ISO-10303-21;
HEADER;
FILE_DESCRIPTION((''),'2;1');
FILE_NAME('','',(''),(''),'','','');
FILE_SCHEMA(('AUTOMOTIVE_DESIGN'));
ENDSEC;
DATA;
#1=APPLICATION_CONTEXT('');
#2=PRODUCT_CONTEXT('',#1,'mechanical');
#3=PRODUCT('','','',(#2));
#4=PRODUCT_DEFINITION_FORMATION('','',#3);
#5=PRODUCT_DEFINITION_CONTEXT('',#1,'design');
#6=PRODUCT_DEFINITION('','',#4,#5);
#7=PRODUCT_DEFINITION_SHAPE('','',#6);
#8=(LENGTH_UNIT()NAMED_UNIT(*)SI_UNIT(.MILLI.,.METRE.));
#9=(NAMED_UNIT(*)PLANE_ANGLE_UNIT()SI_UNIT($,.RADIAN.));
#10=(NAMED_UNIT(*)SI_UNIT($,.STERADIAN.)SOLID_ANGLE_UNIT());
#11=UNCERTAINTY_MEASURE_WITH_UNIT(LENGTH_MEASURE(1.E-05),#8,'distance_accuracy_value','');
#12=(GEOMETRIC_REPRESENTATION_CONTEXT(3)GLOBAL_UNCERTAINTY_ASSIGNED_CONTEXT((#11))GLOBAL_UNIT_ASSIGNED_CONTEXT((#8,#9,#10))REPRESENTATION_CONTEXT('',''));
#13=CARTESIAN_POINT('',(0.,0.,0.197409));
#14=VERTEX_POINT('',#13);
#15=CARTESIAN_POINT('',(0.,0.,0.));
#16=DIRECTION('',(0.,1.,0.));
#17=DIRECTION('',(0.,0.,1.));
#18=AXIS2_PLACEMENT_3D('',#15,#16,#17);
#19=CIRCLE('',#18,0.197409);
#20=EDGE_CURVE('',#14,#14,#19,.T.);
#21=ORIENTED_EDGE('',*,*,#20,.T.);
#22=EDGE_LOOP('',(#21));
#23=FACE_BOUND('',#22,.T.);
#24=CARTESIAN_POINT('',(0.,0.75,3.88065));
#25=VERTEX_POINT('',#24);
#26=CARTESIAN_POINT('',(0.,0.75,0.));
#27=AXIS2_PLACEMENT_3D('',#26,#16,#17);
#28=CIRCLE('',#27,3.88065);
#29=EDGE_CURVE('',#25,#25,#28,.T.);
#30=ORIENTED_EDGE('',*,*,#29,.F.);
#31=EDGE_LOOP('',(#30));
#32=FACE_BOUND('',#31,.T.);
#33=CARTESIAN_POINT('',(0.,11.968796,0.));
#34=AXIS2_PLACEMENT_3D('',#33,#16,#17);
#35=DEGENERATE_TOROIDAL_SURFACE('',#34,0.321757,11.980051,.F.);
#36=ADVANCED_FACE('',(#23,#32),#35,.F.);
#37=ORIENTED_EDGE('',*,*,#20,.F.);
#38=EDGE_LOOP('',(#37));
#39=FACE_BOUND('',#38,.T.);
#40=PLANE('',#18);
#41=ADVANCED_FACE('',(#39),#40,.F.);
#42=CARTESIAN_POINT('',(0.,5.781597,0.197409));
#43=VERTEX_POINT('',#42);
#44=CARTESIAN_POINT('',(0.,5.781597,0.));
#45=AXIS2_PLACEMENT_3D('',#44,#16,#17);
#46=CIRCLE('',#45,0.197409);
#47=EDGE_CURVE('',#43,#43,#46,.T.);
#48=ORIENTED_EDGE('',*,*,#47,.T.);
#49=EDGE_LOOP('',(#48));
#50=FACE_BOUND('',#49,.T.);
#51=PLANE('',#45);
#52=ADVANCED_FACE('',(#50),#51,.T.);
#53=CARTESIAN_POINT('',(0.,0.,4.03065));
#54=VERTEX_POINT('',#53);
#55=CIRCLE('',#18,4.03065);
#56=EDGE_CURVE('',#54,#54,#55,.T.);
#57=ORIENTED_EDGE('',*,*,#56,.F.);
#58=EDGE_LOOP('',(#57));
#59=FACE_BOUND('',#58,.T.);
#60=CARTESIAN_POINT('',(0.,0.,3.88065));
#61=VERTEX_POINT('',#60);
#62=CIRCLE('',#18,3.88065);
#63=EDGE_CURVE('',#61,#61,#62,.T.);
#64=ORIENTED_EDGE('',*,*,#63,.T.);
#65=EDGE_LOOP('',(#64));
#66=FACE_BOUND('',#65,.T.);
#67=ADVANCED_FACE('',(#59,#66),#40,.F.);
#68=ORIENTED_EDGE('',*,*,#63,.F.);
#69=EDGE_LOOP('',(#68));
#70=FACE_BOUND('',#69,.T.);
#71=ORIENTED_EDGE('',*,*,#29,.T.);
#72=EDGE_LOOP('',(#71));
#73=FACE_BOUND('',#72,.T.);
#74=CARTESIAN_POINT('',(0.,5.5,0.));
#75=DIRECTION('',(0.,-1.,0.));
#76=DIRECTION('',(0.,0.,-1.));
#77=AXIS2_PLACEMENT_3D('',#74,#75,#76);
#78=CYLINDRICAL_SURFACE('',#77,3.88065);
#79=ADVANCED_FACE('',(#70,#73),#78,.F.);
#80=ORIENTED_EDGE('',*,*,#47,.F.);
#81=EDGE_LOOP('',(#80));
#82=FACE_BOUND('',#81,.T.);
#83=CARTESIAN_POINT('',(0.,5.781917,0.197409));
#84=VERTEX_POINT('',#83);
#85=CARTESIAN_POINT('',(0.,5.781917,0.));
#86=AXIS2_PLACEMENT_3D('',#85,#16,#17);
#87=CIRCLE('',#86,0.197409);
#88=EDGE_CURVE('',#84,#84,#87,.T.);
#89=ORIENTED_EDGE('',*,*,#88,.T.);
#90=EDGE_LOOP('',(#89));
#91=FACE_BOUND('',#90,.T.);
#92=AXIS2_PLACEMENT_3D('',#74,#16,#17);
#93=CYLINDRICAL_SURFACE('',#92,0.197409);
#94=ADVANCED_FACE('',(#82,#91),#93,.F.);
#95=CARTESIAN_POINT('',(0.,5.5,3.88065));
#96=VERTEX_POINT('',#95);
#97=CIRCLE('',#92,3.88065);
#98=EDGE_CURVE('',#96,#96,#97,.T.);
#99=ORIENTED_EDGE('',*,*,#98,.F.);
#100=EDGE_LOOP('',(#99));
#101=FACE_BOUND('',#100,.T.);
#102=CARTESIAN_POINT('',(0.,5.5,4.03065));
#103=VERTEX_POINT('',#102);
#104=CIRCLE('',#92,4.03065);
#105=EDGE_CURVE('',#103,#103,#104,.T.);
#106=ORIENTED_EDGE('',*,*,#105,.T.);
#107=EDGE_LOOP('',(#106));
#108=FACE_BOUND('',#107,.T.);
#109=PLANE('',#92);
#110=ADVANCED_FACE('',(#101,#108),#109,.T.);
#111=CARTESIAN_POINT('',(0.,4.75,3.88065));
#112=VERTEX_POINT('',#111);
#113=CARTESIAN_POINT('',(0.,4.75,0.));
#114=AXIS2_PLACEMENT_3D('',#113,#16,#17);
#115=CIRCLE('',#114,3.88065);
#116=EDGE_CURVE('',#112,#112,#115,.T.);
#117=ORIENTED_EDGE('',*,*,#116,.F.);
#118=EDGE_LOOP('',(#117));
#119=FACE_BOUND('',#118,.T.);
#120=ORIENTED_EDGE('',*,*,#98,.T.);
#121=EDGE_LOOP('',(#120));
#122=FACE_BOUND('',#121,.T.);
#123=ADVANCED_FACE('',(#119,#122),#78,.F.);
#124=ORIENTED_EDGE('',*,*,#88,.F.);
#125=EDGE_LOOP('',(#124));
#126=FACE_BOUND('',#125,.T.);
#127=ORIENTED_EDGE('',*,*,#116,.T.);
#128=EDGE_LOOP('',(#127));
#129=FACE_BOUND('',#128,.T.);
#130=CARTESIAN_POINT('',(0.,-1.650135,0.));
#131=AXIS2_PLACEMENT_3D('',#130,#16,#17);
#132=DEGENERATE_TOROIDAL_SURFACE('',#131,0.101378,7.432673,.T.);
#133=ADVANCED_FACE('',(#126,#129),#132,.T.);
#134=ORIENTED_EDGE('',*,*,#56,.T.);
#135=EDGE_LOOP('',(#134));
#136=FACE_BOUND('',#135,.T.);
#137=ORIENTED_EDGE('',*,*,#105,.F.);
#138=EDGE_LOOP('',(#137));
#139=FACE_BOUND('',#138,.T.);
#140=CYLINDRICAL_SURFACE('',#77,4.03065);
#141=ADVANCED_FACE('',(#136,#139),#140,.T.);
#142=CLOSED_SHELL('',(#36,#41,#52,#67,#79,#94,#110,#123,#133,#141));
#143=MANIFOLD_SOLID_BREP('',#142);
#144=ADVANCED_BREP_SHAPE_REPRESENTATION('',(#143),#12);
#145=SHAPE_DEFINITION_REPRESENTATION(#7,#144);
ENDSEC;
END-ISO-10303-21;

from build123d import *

# Parameters (mm, degrees)
SKETCH1_R                = 4.03065
SKETCH1_R_2              = 3.88065
BOSS_EXTRUDE1_DEPTH      = 5.5
SKETCH3_R                = 0.197408615
BOSS_EXTRUDE2_DEPTH      = 0.28159739
BOSS_EXTRUDE2_DEPTH_BACK = 5.5


with BuildPart() as part:
    # Sketch1 → Boss-Extrude1 (new body)
    with BuildSketch(Plane(origin=(0, 0, 0), x_dir=(1, 0, 0), z_dir=(0, 1, 0))):
        Circle(SKETCH1_R)
        Circle(SKETCH1_R_2, mode=Mode.SUBTRACT)
    extrude(amount=BOSS_EXTRUDE1_DEPTH)

    # Sketch2 → Revolve1 (revolve)
    with BuildSketch(Plane.XY):
        with BuildLine():
            Line((0.197408615, 0), (0.197408615, 5.781917471))
            ThreePointArc((0.197408615, 5.781917471), (2.106547816, 5.506953748), (3.88065, 4.75))
            Line((3.88065, 4.75), (3.88065, 0.75))
            ThreePointArc((3.88065, 0.75), (2.068627273, 0.229644733), (0.197408615, 0))
        make_face()
    revolve(axis=Axis((0, 5.5, 0), (0, -1, 0)))

    # Sketch3 → Boss-Extrude2 (add, two sides)
    with BuildSketch(Plane(origin=(0, 5.5, 0), x_dir=(1, 0, 0), z_dir=(0, 1, 0))) as boss_extrude2_sk:
        Circle(SKETCH3_R)
    extrude(amount=BOSS_EXTRUDE2_DEPTH)
    extrude(boss_extrude2_sk.sketch, amount=-BOSS_EXTRUDE2_DEPTH_BACK)


solid = part.part
